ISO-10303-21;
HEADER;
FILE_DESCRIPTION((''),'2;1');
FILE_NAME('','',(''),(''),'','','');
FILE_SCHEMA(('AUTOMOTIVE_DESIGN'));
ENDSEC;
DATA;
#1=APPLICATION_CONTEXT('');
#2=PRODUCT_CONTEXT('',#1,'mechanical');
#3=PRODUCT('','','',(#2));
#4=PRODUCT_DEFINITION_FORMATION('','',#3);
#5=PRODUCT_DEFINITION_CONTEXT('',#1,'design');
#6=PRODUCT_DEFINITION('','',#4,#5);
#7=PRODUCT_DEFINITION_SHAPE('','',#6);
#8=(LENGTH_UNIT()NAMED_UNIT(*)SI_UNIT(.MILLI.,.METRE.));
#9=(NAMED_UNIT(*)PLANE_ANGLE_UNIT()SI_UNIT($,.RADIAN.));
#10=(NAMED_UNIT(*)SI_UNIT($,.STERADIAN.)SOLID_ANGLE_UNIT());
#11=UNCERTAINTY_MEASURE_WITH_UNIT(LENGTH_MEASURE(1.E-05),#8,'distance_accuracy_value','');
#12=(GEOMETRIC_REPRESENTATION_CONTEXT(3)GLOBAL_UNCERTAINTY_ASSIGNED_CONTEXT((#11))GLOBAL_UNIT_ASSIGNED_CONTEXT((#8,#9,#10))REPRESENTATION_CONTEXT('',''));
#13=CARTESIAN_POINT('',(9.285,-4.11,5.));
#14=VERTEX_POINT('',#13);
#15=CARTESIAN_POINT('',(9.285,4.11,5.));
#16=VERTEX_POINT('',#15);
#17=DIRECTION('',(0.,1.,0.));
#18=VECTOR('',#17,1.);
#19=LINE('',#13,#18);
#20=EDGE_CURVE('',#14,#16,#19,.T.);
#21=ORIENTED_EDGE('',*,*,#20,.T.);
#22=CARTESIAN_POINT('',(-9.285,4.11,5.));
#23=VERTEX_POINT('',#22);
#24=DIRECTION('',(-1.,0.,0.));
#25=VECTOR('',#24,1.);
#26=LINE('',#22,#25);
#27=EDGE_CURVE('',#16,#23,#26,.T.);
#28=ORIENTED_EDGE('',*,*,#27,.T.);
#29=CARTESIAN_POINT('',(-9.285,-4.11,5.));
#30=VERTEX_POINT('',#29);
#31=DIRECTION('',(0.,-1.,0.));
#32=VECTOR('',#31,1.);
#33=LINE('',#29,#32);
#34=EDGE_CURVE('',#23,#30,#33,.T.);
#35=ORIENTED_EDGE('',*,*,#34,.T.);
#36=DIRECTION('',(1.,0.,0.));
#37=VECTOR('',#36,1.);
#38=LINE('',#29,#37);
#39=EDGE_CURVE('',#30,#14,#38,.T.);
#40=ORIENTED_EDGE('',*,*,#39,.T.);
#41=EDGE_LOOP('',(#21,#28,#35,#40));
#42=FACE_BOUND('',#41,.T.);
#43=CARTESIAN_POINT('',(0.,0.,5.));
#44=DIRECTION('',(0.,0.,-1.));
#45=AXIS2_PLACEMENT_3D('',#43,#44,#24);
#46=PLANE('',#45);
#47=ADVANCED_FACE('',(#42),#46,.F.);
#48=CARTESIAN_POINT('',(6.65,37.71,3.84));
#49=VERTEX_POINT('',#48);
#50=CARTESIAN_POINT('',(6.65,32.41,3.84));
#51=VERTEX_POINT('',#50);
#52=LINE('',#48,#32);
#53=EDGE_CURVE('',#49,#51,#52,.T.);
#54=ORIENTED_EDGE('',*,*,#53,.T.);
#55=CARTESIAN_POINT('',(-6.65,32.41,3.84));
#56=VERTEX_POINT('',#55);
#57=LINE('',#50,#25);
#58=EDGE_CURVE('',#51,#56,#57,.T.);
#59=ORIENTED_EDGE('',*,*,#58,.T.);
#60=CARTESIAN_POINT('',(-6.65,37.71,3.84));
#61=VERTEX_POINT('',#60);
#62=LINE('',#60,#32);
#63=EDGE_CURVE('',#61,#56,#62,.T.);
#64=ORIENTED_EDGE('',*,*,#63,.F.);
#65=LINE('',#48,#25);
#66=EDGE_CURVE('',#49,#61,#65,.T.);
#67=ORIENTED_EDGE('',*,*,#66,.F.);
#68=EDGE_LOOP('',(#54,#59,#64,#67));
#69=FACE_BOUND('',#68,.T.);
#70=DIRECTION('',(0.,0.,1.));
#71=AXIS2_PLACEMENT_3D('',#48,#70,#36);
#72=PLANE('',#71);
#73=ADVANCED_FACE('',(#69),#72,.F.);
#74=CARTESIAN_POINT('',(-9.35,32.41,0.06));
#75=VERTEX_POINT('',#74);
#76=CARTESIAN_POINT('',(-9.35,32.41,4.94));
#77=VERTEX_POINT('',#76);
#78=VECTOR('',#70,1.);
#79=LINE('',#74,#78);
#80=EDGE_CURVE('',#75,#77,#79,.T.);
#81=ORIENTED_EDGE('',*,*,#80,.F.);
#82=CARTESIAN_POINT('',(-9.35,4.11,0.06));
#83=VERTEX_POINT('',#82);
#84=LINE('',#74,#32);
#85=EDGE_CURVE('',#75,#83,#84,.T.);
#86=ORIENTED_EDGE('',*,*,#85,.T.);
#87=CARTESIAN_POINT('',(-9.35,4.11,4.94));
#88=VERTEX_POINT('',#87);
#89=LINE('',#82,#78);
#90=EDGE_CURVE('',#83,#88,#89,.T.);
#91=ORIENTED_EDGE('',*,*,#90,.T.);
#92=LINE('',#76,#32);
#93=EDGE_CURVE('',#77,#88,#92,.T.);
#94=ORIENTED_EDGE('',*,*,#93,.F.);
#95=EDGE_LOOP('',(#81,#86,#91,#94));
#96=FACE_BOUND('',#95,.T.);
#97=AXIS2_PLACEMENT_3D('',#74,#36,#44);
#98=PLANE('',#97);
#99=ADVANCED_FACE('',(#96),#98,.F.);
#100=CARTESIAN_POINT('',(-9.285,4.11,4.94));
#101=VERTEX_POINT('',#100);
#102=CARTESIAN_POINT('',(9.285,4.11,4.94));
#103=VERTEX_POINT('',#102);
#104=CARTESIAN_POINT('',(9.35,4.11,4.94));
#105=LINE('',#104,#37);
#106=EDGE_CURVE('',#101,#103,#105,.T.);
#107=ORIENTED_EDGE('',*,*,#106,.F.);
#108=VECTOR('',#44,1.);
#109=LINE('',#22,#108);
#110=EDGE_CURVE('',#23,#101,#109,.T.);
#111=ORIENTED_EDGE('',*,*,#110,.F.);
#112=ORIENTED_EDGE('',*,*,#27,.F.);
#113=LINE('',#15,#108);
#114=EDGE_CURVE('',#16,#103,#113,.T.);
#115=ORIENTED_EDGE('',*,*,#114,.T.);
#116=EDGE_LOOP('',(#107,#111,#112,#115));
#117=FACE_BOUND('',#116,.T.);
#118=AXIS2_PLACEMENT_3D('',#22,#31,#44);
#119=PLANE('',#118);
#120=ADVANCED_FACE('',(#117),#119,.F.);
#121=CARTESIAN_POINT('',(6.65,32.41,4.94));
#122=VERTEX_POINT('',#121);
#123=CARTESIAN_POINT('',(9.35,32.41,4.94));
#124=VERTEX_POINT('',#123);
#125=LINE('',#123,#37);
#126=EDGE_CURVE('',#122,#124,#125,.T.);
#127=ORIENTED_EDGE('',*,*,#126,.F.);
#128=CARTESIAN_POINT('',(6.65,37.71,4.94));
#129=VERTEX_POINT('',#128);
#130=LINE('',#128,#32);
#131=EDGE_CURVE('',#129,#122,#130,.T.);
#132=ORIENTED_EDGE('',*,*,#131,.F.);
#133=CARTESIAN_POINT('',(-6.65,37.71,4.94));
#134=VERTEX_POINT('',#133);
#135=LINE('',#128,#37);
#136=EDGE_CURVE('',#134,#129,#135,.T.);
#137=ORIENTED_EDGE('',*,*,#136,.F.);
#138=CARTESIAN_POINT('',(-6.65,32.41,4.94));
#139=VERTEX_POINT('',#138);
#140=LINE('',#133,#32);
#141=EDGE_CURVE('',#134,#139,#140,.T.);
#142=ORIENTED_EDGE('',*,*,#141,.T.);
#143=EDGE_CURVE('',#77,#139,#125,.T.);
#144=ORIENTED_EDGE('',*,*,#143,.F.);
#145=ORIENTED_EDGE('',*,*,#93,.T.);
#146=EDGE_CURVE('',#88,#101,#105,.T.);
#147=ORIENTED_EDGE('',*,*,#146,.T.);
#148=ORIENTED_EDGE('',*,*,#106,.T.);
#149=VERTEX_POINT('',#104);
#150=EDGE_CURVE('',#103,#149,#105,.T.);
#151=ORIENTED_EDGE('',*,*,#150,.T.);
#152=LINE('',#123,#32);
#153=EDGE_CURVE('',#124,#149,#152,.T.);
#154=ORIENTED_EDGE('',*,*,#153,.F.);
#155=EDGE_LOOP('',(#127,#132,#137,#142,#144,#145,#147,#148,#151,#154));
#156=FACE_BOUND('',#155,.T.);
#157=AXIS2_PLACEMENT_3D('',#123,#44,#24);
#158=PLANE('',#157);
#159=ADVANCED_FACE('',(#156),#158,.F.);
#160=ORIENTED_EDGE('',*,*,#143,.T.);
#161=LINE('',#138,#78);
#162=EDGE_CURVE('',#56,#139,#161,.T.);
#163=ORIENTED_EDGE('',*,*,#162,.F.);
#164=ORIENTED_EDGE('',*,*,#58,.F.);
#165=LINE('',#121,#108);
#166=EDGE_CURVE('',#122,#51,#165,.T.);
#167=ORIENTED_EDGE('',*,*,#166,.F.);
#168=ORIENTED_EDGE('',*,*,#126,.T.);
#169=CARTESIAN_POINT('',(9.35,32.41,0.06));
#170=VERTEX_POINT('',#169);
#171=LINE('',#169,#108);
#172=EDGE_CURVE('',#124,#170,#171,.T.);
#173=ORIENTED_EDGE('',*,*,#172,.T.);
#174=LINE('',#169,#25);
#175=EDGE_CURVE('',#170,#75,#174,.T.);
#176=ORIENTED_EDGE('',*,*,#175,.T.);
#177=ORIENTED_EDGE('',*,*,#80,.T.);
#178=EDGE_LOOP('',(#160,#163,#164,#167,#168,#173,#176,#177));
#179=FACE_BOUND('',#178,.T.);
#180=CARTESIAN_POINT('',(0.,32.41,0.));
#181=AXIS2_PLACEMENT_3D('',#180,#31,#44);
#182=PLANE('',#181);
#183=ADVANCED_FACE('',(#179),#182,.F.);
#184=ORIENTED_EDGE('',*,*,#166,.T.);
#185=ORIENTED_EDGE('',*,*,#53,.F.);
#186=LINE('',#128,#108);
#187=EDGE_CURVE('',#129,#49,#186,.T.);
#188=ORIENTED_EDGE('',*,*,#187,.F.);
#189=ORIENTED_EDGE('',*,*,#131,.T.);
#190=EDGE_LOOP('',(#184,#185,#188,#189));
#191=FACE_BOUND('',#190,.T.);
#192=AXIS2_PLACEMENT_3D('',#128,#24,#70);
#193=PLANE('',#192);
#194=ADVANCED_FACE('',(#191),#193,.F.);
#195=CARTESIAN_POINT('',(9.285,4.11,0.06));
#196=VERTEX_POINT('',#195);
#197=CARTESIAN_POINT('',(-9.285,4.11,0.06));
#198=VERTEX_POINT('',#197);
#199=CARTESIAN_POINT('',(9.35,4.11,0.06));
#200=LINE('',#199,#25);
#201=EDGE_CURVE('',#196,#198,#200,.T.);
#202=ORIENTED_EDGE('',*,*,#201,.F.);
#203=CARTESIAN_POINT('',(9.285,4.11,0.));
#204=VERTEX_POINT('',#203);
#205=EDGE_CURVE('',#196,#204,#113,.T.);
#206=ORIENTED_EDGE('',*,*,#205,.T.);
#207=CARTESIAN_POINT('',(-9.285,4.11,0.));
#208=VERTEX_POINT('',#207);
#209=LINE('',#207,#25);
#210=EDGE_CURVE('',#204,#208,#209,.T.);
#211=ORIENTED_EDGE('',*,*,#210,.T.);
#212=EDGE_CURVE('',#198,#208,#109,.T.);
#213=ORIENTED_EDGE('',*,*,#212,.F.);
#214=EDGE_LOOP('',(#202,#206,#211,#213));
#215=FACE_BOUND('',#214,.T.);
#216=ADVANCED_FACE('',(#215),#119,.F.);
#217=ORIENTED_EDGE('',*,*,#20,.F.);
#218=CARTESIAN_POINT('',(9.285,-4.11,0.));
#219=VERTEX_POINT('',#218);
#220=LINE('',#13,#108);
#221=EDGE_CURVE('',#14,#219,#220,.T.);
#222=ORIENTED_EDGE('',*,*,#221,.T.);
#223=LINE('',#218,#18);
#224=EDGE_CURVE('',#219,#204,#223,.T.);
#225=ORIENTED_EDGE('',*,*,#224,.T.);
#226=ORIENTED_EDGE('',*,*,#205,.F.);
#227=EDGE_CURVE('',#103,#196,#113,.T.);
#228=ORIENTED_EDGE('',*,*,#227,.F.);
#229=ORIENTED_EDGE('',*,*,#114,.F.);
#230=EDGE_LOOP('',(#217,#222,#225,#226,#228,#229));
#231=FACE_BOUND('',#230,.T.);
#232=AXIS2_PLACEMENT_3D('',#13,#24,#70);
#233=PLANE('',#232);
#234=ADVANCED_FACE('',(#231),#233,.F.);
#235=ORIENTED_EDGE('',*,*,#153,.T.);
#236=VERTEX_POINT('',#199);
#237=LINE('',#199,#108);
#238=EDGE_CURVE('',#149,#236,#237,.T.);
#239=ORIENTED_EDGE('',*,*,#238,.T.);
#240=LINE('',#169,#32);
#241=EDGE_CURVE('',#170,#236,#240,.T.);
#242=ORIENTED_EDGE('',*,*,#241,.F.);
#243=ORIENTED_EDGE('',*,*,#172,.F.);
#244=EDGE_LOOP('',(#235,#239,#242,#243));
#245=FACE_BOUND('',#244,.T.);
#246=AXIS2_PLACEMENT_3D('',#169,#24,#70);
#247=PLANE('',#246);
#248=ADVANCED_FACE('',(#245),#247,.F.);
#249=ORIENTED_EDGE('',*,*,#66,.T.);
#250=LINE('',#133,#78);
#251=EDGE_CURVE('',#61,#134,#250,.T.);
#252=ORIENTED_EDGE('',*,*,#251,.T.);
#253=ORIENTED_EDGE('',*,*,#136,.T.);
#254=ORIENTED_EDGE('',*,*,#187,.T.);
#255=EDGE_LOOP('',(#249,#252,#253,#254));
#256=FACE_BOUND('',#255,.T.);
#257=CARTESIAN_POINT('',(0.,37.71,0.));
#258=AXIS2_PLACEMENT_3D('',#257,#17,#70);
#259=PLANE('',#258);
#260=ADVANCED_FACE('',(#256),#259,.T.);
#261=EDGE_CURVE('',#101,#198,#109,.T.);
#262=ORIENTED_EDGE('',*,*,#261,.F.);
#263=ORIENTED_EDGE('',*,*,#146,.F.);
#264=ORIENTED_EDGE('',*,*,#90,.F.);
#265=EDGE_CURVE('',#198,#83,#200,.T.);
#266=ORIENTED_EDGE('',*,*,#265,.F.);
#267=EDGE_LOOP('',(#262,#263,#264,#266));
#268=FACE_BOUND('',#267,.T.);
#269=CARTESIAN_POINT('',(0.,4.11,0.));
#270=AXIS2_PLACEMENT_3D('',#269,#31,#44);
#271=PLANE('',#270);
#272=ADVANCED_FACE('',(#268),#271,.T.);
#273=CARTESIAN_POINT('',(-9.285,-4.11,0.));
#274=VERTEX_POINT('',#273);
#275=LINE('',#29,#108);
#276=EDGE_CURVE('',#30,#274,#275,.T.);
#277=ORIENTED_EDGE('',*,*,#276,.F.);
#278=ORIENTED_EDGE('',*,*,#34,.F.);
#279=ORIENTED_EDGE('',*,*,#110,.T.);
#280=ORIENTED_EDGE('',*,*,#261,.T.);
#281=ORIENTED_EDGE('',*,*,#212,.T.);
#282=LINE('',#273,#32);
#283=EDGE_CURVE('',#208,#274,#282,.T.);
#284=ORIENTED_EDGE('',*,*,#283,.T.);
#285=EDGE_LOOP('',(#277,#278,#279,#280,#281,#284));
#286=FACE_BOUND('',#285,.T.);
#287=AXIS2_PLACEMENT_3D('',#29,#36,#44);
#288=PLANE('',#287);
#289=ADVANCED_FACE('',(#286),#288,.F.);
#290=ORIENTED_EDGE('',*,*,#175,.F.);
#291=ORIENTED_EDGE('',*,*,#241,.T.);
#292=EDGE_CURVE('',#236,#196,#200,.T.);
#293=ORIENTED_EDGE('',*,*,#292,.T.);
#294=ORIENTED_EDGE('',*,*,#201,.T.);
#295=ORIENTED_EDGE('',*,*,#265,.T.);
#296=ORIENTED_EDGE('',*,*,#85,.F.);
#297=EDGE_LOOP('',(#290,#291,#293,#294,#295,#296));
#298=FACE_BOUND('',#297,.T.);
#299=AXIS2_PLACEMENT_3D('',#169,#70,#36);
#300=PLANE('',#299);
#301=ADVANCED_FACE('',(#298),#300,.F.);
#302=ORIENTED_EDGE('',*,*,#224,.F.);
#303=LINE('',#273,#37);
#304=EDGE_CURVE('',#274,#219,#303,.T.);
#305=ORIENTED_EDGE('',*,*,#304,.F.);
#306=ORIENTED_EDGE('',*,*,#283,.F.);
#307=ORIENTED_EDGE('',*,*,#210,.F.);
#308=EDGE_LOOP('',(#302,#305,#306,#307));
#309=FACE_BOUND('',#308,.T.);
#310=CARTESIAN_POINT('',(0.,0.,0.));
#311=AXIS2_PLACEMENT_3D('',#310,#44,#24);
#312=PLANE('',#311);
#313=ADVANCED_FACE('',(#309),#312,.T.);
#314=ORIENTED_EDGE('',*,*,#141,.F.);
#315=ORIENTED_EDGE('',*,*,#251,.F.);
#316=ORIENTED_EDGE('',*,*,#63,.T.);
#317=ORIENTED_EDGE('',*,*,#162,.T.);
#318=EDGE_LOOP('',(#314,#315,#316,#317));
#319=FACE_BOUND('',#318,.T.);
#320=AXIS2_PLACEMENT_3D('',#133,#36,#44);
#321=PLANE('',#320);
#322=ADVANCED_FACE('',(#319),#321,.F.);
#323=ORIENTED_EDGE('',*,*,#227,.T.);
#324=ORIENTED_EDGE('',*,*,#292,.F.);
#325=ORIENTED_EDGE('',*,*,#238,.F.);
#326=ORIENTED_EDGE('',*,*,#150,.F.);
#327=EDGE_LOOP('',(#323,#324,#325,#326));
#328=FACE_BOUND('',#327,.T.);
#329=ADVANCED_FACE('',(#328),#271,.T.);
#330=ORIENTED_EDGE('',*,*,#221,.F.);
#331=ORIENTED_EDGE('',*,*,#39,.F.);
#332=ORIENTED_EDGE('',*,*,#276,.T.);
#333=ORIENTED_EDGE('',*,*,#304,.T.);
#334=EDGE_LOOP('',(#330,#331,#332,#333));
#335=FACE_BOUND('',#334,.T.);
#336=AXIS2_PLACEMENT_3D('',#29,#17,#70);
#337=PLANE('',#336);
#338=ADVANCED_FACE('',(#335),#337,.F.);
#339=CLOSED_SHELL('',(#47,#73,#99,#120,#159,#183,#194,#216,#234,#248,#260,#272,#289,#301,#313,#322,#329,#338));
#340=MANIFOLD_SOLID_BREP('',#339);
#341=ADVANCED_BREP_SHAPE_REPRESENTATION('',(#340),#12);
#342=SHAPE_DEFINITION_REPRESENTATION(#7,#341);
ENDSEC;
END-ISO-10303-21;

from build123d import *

# Parameters (mm, degrees)
SKICA1_W                = 18.57
SKICA1_H                = 8.22
P_IDAT_VYSUNUT_M1_DEPTH = 5
SKICA2_W                = 18.7
SKICA2_H                = 4.88
P_IDAT_VYSUNUT_M2_DEPTH = 28.3
SKICA3_W                = 13.3
SKICA3_H                = 1.1
P_IDAT_VYSUNUT_M3_DEPTH = 5.3


with BuildPart() as part:
    # Skica1 → Přidat vysunutím1 (new body)
    with BuildSketch(Plane.XY):
        Rectangle(SKICA1_W, SKICA1_H)
    extrude(amount=P_IDAT_VYSUNUT_M1_DEPTH)

    # Skica2 → Přidat vysunutím2 (add)
    with BuildSketch(Plane(origin=(0, 4.11, 0), x_dir=(1, 0, 0), z_dir=(0, 1, 0))):
        with Locations((0, -2.5)):
            Rectangle(SKICA2_W, SKICA2_H)
    extrude(amount=P_IDAT_VYSUNUT_M2_DEPTH)

    # Skica3 → Přidat vysunutím3 (add)
    with BuildSketch(Plane(origin=(0, 32.41, 0), x_dir=(1, 0, 0), z_dir=(0, 1, 0))):
        with Locations((0, -4.39)):
            Rectangle(SKICA3_W, SKICA3_H)
    extrude(amount=P_IDAT_VYSUNUT_M3_DEPTH)


solid = part.part
